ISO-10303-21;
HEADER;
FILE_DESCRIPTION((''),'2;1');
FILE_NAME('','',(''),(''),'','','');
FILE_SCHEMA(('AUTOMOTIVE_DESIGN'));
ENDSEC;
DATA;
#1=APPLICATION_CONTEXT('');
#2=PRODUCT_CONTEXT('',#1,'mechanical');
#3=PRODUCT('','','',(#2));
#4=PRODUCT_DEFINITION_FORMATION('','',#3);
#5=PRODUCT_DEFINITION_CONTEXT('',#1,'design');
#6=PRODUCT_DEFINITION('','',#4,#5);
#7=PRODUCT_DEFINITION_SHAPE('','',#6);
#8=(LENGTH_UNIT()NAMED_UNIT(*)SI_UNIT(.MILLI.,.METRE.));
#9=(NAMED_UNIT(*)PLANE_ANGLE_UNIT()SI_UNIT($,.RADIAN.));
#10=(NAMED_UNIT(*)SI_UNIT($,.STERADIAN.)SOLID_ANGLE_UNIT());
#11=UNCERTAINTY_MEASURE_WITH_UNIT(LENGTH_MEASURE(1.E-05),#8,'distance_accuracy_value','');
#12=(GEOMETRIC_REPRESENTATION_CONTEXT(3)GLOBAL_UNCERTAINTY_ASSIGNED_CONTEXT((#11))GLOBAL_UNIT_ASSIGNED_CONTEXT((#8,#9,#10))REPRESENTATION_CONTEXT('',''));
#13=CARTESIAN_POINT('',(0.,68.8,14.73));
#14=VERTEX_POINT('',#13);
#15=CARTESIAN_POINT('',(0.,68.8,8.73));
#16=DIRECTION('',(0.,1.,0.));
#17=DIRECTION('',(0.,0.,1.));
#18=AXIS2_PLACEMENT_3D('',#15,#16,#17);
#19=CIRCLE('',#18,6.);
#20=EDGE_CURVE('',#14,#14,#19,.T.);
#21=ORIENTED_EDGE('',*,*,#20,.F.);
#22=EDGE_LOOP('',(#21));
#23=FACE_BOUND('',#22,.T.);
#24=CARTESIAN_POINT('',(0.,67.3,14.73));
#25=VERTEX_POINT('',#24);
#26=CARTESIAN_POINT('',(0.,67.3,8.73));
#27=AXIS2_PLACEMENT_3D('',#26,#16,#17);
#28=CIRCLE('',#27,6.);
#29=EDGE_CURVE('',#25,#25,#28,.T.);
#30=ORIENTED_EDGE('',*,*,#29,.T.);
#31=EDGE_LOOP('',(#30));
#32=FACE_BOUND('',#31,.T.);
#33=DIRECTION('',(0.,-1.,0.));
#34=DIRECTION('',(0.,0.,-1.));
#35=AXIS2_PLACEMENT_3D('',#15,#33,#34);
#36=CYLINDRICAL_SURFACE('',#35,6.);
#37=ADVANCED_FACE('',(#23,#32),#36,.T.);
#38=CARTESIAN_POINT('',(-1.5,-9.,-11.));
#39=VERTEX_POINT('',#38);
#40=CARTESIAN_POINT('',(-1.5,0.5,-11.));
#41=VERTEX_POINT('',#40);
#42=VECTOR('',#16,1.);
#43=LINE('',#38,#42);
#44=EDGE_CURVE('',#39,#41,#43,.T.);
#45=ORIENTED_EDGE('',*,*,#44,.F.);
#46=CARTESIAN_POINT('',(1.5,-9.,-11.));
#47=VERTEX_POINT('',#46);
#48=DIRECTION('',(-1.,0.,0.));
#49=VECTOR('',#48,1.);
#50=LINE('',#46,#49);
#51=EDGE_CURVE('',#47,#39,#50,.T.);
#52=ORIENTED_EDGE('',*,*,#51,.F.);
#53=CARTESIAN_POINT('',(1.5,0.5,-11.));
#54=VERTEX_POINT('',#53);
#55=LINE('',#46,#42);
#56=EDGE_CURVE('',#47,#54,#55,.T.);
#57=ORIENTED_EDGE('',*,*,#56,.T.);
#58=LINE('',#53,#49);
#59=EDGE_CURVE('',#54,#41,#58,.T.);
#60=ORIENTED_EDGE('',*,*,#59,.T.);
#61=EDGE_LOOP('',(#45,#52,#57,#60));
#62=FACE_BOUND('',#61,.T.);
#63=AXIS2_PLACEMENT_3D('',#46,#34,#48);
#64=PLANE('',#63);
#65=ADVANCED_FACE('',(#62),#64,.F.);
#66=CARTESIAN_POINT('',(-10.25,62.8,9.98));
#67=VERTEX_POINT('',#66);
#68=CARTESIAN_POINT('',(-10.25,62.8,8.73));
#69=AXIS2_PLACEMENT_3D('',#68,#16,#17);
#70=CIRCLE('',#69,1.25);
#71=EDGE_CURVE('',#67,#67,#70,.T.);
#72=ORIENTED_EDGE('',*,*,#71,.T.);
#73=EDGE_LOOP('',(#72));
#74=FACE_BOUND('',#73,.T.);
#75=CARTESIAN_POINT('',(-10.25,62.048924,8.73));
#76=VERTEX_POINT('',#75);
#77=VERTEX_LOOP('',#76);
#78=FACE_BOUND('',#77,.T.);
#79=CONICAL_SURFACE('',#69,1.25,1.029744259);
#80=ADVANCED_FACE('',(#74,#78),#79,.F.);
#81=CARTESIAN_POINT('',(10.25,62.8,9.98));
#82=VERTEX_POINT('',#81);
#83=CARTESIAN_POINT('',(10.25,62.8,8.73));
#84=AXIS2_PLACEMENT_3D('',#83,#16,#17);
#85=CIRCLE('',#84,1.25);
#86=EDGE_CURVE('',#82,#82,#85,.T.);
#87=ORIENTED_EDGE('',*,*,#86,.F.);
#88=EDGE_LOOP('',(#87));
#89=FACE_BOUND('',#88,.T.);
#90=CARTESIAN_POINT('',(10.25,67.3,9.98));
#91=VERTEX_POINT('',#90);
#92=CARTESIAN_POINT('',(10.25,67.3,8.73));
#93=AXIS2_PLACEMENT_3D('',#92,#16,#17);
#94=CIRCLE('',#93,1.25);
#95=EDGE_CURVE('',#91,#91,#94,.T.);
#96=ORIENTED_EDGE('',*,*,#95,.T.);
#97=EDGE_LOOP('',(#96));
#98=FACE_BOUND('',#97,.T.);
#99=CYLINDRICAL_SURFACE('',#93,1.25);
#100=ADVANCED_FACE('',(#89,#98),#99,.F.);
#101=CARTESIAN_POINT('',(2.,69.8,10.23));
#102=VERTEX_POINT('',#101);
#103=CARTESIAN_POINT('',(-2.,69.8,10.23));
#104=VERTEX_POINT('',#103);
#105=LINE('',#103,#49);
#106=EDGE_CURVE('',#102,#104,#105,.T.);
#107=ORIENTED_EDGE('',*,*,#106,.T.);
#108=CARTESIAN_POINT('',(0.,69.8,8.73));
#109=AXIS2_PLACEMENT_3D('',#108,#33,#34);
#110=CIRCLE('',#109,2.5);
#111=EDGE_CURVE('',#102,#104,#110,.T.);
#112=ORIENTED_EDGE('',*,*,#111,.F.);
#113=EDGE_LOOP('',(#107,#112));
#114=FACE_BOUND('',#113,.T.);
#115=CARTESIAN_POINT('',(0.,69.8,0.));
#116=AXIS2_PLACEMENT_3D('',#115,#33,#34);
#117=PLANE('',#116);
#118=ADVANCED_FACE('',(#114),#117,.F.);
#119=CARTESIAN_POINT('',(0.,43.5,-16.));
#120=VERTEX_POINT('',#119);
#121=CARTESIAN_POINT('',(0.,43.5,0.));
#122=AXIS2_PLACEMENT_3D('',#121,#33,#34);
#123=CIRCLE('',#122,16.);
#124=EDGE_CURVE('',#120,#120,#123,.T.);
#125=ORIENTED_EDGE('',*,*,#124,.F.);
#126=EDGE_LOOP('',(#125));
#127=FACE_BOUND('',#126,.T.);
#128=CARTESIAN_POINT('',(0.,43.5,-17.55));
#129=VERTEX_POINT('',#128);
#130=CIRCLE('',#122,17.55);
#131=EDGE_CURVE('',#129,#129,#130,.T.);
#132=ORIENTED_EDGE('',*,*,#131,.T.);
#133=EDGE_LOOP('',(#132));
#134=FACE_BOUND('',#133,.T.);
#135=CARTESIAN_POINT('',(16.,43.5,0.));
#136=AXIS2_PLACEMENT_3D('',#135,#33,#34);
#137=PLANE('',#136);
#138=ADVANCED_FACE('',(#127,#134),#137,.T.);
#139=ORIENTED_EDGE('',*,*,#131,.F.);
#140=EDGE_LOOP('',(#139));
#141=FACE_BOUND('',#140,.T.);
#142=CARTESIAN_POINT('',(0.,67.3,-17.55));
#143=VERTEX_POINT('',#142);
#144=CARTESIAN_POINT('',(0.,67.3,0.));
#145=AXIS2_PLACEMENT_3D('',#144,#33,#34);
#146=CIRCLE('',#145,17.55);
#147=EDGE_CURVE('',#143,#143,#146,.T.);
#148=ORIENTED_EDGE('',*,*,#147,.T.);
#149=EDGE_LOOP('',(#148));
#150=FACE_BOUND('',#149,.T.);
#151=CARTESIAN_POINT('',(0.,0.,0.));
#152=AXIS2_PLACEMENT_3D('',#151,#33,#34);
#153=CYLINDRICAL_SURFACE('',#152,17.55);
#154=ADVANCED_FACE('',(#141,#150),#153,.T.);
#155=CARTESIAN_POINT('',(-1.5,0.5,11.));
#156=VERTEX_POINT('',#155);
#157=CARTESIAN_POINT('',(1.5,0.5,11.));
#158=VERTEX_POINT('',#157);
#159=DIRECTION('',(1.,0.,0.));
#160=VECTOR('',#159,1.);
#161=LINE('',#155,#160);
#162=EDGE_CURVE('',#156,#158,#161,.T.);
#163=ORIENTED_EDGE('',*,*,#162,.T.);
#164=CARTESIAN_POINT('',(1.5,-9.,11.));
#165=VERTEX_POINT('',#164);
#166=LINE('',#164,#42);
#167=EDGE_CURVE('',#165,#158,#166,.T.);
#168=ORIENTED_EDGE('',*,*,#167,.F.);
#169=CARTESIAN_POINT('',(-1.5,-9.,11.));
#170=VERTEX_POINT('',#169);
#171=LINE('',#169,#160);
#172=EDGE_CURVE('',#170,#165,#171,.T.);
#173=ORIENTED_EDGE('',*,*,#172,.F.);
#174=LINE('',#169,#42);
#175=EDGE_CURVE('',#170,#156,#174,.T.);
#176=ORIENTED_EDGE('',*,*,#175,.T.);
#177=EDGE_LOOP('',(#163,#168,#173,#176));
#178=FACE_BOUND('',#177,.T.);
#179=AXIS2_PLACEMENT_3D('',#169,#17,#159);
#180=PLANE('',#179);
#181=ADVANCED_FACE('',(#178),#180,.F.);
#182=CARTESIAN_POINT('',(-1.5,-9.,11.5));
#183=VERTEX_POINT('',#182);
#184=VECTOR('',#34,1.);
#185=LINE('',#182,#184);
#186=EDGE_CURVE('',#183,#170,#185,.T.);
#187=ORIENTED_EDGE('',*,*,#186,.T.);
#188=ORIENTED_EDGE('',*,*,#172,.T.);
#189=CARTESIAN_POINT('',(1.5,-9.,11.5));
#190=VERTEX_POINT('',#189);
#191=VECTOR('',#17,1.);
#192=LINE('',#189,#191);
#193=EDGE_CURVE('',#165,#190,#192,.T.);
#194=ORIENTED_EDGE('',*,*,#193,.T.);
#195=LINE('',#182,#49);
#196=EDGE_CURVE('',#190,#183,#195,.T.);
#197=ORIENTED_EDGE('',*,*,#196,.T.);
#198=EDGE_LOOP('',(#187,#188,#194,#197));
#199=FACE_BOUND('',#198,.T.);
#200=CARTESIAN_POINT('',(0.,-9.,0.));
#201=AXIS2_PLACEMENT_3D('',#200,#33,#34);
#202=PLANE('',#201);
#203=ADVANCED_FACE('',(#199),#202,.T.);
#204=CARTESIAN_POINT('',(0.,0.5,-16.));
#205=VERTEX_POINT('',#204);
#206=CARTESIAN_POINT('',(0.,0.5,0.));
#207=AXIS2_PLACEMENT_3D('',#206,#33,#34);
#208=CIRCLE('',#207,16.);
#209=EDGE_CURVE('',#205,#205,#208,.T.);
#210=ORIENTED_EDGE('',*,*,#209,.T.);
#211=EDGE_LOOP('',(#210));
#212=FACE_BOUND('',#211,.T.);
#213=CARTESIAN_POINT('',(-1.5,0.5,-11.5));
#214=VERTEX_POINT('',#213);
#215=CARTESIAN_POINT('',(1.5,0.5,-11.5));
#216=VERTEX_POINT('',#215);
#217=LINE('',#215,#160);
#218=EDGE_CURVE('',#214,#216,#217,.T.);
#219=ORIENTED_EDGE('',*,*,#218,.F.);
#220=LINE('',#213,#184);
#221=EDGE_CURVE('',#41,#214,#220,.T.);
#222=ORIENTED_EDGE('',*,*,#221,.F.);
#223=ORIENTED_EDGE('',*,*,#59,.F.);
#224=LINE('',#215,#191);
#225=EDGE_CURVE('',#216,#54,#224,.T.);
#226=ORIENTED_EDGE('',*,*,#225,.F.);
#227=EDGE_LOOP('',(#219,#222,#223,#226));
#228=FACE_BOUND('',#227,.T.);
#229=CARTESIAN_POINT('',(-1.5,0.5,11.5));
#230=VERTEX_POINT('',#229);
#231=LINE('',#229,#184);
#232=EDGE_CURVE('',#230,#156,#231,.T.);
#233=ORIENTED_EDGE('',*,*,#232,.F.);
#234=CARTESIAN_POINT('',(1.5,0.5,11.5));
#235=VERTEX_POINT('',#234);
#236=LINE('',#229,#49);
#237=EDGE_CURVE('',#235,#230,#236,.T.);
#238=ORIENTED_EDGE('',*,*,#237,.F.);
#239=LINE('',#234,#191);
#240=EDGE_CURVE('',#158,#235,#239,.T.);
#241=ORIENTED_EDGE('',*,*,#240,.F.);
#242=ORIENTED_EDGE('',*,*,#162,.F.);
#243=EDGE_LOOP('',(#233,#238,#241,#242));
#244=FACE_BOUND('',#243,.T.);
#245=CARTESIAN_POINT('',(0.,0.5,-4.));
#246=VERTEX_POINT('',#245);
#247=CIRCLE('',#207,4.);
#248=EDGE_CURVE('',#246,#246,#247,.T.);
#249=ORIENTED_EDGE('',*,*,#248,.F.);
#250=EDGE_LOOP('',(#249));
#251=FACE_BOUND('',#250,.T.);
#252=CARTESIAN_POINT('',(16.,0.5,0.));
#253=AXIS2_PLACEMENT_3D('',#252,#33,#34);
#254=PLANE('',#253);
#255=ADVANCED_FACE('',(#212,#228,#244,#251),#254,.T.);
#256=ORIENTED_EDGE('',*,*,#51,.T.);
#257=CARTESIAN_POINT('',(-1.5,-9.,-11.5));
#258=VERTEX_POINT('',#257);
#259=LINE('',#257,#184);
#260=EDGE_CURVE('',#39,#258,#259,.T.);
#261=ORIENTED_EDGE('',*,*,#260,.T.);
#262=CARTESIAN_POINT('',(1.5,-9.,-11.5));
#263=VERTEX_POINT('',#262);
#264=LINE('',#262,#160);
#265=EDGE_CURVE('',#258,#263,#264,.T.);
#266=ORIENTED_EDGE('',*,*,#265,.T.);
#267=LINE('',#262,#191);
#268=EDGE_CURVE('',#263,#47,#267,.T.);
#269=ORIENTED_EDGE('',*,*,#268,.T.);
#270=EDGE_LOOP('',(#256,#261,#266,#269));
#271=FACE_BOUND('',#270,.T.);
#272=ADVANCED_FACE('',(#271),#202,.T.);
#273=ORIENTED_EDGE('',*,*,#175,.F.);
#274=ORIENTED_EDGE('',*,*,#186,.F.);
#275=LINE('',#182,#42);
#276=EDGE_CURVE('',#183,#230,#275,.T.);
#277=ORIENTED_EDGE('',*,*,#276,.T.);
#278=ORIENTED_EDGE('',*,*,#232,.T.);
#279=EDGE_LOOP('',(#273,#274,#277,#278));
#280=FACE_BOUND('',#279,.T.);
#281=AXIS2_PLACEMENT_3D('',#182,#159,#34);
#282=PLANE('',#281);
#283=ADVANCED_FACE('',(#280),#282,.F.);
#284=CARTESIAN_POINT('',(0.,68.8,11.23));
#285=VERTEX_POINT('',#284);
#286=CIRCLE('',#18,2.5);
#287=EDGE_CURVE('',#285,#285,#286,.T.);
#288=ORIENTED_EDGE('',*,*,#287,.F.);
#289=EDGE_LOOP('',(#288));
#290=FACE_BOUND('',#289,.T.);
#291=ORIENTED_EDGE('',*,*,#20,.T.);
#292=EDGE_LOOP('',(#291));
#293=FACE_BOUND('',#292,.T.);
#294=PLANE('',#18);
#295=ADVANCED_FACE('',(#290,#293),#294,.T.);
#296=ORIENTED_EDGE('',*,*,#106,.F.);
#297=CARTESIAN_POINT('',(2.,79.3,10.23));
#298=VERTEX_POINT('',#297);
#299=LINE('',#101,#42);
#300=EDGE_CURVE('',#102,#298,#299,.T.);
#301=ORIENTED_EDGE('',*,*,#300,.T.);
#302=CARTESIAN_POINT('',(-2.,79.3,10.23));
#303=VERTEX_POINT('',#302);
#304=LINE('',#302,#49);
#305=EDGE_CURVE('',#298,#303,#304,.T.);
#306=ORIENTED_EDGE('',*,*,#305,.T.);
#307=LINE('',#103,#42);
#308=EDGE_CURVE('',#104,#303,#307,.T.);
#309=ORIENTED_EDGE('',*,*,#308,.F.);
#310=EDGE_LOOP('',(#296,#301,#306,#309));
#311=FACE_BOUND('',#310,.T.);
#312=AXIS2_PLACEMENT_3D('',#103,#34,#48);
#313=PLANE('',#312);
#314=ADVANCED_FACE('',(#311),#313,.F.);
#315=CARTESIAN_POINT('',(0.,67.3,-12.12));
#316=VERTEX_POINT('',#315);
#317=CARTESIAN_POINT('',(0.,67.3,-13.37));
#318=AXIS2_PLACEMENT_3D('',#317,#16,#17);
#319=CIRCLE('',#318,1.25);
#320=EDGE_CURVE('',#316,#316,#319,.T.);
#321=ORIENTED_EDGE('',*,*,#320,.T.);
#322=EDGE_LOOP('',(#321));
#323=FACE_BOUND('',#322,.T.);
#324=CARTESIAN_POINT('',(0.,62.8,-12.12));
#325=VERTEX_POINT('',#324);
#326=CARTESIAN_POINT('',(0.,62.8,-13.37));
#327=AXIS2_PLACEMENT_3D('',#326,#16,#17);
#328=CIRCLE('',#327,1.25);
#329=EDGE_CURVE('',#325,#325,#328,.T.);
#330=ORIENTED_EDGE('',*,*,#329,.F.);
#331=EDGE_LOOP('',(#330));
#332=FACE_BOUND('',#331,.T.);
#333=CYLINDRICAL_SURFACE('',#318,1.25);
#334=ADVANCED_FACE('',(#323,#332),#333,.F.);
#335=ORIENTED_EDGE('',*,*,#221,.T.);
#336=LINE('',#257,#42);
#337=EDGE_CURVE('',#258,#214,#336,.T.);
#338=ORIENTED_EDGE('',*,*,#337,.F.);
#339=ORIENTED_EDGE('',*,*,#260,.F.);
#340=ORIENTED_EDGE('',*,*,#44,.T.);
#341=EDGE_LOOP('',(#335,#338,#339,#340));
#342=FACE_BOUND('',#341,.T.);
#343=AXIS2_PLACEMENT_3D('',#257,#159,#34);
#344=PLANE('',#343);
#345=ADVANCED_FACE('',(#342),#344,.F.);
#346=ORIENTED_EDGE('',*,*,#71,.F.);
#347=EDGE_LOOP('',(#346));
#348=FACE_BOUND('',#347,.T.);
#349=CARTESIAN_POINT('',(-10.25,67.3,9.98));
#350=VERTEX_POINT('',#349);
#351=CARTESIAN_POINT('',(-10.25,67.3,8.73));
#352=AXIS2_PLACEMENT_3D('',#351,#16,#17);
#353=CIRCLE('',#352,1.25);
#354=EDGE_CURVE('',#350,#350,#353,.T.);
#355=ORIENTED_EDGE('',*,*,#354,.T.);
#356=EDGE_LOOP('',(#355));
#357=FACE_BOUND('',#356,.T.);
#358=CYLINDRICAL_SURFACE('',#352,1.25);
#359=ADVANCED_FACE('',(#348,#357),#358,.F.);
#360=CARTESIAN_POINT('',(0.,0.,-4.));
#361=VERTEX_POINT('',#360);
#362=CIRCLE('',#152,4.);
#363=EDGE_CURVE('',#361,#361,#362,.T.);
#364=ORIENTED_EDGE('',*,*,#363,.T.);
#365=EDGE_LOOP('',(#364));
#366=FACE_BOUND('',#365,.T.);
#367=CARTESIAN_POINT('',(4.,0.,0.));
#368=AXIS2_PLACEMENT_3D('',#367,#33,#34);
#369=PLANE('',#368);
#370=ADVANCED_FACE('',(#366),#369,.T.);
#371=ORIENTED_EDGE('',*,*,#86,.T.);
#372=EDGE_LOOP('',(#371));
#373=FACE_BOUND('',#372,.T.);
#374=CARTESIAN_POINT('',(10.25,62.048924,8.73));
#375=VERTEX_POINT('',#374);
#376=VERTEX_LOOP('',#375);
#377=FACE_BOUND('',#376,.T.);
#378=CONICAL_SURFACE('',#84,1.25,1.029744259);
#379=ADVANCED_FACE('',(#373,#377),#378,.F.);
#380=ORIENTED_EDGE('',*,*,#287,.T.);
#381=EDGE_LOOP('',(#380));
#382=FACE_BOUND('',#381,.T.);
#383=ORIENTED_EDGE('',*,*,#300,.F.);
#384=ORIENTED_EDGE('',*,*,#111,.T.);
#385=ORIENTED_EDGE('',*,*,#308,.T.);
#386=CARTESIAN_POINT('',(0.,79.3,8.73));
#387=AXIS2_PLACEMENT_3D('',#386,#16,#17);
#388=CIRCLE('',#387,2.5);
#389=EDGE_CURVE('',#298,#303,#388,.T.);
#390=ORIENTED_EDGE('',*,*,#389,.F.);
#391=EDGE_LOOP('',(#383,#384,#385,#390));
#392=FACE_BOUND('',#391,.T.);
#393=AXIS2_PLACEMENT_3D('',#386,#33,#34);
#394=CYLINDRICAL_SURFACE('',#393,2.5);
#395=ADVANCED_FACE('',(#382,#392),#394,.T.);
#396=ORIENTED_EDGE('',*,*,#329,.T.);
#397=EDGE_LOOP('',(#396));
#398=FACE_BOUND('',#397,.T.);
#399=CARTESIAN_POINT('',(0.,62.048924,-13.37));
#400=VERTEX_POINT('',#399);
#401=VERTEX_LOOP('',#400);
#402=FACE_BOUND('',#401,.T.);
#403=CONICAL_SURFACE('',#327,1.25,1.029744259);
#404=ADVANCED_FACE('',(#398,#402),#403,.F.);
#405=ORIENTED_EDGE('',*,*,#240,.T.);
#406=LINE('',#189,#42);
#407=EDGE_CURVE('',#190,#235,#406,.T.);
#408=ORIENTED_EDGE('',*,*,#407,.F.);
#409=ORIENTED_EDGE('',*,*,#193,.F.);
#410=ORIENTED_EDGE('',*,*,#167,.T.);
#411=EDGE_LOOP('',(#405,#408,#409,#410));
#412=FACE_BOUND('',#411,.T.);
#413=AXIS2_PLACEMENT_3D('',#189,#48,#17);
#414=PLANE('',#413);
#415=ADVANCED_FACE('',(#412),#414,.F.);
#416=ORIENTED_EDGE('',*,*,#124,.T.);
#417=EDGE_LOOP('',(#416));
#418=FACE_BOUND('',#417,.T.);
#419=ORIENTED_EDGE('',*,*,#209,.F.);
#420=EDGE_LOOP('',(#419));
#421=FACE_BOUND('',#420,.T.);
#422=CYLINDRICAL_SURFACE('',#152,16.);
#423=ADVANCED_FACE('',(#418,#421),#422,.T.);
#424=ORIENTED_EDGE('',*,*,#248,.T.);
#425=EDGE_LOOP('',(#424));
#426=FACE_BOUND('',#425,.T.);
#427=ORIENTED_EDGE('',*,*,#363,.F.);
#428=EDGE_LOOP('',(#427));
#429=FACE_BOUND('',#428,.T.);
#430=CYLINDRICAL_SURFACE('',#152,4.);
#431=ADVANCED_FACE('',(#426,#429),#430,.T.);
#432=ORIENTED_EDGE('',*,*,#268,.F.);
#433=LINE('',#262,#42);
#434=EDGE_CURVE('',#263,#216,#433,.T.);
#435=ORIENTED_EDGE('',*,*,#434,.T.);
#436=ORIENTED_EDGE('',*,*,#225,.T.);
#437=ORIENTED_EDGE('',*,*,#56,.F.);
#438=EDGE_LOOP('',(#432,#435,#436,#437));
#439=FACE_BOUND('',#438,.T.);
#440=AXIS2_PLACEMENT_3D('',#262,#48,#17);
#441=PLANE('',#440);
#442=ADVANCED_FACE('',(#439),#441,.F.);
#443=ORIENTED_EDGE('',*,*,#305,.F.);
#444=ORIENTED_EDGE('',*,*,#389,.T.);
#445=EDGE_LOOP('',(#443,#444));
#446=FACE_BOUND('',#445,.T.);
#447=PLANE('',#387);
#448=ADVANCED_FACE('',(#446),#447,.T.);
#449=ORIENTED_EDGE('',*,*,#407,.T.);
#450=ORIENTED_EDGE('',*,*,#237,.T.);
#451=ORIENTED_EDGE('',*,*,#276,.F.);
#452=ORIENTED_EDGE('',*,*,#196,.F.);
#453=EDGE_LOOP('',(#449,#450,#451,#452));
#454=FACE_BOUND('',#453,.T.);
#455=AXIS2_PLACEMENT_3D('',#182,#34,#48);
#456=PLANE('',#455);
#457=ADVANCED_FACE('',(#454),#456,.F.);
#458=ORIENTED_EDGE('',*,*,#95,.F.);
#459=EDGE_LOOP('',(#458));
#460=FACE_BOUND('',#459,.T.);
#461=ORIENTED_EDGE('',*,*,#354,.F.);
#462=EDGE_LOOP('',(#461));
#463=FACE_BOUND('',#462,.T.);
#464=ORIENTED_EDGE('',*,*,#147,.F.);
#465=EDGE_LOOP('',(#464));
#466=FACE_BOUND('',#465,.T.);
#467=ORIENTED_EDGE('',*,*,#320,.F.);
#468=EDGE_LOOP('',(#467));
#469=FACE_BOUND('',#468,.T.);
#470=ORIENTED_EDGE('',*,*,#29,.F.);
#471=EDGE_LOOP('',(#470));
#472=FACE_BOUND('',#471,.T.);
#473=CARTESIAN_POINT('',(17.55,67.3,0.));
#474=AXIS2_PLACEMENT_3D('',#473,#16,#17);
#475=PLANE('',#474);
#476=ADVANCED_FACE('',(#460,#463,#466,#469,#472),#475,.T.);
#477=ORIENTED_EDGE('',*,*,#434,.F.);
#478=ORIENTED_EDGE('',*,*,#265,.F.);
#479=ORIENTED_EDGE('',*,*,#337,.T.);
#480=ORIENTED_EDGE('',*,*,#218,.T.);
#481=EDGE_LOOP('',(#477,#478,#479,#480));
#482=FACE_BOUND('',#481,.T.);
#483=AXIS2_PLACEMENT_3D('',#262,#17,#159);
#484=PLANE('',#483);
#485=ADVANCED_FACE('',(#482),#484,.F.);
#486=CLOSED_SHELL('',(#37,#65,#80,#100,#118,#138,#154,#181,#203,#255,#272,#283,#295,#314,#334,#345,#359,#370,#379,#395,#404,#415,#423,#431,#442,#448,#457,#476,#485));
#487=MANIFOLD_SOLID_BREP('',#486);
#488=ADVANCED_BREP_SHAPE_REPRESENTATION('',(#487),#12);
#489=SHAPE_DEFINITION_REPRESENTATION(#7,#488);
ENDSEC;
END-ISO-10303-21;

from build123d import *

# Parameters (mm, degrees)
ESQUISSE2_R             = 6
BOSS_EXTRU_1_DEPTH      = 1.5
ESQUISSE3_R             = 2.5
BOSS_EXTRU_2_DEPTH      = 10.5
TROU_TARAUD_M31_D       = 2.5
TROU_TARAUD_M31_DEPTH   = 4.5
TROU_TARAUD_M31_TIP     = 0.751075774
ESQUISSE7_W             = 4
ESQUISSE7_H             = 1.800245102
ENL_V_MAT_EXTRU_1_DEPTH = 9.5
ESQUISSE8_W             = 3
ESQUISSE8_H             = 0.5
BOSS_EXTRU_3_DEPTH      = 9.5


with BuildPart() as part:
    # Esquisse1 → Révolution1 (revolve)
    with BuildSketch(Plane.XY):
        Polygon((16, 0.5), (4, 0.5), (4, 0), (0, 0), (0, 67.3), (17.55, 67.3), (17.55, 43.5), (16, 43.5), align=None)
    revolve(axis=Axis((0, 0, 0), (0, 1, 0)))

    # Esquisse2 → Boss.-Extru.1 (add)
    with BuildSketch(Plane(origin=(0, 67.3, 0), x_dir=(1, 0, 0), z_dir=(0, 1, 0))):
        with Locations((0, -8.73)):
            Circle(ESQUISSE2_R)
    extrude(amount=BOSS_EXTRU_1_DEPTH)

    # Esquisse3 → Boss.-Extru.2 (add)
    with BuildSketch(Plane(origin=(0, 68.8, 0), x_dir=(1, 0, 0), z_dir=(0, 1, 0))):
        with Locations((0, -8.73)):
            Circle(ESQUISSE3_R)
    extrude(amount=BOSS_EXTRU_2_DEPTH)

    # Trou taraudé M31
    with Locations(Plane(origin=(0, 67.3, 0), x_dir=(1, 0, 0), z_dir=(0, 1, 0))):
        with Locations((0, 13.37), (10.25, -8.73), (-10.25, -8.73)):
            Hole(TROU_TARAUD_M31_D / 2, depth=TROU_TARAUD_M31_DEPTH)
            with Locations((0, 0, -(TROU_TARAUD_M31_DEPTH + TROU_TARAUD_M31_TIP / 2))):  # 118° drill point
                Cone(0, TROU_TARAUD_M31_D / 2, TROU_TARAUD_M31_TIP, mode=Mode.SUBTRACT)

    # Esquisse7 → Enlèv. mat.-Extru.1 (cut)
    with BuildSketch(Plane(origin=(0, 79.3, 0), x_dir=(1, 0, 0), z_dir=(0, 1, 0))):
        with Locations((0, -11.130122551)):
            Rectangle(ESQUISSE7_W, ESQUISSE7_H)
    extrude(amount=-ENL_V_MAT_EXTRU_1_DEPTH, mode=Mode.SUBTRACT)

    # Esquisse8 → Boss.-Extru.3 (add)
    with BuildSketch(Plane.XZ.offset(-0.5)):
        with Locations((0, -11.25)):
            Rectangle(ESQUISSE8_W, ESQUISSE8_H)
        with Locations((0, 11.25)):
            Rectangle(ESQUISSE8_W, ESQUISSE8_H)
    extrude(amount=BOSS_EXTRU_3_DEPTH)


solid = part.part
